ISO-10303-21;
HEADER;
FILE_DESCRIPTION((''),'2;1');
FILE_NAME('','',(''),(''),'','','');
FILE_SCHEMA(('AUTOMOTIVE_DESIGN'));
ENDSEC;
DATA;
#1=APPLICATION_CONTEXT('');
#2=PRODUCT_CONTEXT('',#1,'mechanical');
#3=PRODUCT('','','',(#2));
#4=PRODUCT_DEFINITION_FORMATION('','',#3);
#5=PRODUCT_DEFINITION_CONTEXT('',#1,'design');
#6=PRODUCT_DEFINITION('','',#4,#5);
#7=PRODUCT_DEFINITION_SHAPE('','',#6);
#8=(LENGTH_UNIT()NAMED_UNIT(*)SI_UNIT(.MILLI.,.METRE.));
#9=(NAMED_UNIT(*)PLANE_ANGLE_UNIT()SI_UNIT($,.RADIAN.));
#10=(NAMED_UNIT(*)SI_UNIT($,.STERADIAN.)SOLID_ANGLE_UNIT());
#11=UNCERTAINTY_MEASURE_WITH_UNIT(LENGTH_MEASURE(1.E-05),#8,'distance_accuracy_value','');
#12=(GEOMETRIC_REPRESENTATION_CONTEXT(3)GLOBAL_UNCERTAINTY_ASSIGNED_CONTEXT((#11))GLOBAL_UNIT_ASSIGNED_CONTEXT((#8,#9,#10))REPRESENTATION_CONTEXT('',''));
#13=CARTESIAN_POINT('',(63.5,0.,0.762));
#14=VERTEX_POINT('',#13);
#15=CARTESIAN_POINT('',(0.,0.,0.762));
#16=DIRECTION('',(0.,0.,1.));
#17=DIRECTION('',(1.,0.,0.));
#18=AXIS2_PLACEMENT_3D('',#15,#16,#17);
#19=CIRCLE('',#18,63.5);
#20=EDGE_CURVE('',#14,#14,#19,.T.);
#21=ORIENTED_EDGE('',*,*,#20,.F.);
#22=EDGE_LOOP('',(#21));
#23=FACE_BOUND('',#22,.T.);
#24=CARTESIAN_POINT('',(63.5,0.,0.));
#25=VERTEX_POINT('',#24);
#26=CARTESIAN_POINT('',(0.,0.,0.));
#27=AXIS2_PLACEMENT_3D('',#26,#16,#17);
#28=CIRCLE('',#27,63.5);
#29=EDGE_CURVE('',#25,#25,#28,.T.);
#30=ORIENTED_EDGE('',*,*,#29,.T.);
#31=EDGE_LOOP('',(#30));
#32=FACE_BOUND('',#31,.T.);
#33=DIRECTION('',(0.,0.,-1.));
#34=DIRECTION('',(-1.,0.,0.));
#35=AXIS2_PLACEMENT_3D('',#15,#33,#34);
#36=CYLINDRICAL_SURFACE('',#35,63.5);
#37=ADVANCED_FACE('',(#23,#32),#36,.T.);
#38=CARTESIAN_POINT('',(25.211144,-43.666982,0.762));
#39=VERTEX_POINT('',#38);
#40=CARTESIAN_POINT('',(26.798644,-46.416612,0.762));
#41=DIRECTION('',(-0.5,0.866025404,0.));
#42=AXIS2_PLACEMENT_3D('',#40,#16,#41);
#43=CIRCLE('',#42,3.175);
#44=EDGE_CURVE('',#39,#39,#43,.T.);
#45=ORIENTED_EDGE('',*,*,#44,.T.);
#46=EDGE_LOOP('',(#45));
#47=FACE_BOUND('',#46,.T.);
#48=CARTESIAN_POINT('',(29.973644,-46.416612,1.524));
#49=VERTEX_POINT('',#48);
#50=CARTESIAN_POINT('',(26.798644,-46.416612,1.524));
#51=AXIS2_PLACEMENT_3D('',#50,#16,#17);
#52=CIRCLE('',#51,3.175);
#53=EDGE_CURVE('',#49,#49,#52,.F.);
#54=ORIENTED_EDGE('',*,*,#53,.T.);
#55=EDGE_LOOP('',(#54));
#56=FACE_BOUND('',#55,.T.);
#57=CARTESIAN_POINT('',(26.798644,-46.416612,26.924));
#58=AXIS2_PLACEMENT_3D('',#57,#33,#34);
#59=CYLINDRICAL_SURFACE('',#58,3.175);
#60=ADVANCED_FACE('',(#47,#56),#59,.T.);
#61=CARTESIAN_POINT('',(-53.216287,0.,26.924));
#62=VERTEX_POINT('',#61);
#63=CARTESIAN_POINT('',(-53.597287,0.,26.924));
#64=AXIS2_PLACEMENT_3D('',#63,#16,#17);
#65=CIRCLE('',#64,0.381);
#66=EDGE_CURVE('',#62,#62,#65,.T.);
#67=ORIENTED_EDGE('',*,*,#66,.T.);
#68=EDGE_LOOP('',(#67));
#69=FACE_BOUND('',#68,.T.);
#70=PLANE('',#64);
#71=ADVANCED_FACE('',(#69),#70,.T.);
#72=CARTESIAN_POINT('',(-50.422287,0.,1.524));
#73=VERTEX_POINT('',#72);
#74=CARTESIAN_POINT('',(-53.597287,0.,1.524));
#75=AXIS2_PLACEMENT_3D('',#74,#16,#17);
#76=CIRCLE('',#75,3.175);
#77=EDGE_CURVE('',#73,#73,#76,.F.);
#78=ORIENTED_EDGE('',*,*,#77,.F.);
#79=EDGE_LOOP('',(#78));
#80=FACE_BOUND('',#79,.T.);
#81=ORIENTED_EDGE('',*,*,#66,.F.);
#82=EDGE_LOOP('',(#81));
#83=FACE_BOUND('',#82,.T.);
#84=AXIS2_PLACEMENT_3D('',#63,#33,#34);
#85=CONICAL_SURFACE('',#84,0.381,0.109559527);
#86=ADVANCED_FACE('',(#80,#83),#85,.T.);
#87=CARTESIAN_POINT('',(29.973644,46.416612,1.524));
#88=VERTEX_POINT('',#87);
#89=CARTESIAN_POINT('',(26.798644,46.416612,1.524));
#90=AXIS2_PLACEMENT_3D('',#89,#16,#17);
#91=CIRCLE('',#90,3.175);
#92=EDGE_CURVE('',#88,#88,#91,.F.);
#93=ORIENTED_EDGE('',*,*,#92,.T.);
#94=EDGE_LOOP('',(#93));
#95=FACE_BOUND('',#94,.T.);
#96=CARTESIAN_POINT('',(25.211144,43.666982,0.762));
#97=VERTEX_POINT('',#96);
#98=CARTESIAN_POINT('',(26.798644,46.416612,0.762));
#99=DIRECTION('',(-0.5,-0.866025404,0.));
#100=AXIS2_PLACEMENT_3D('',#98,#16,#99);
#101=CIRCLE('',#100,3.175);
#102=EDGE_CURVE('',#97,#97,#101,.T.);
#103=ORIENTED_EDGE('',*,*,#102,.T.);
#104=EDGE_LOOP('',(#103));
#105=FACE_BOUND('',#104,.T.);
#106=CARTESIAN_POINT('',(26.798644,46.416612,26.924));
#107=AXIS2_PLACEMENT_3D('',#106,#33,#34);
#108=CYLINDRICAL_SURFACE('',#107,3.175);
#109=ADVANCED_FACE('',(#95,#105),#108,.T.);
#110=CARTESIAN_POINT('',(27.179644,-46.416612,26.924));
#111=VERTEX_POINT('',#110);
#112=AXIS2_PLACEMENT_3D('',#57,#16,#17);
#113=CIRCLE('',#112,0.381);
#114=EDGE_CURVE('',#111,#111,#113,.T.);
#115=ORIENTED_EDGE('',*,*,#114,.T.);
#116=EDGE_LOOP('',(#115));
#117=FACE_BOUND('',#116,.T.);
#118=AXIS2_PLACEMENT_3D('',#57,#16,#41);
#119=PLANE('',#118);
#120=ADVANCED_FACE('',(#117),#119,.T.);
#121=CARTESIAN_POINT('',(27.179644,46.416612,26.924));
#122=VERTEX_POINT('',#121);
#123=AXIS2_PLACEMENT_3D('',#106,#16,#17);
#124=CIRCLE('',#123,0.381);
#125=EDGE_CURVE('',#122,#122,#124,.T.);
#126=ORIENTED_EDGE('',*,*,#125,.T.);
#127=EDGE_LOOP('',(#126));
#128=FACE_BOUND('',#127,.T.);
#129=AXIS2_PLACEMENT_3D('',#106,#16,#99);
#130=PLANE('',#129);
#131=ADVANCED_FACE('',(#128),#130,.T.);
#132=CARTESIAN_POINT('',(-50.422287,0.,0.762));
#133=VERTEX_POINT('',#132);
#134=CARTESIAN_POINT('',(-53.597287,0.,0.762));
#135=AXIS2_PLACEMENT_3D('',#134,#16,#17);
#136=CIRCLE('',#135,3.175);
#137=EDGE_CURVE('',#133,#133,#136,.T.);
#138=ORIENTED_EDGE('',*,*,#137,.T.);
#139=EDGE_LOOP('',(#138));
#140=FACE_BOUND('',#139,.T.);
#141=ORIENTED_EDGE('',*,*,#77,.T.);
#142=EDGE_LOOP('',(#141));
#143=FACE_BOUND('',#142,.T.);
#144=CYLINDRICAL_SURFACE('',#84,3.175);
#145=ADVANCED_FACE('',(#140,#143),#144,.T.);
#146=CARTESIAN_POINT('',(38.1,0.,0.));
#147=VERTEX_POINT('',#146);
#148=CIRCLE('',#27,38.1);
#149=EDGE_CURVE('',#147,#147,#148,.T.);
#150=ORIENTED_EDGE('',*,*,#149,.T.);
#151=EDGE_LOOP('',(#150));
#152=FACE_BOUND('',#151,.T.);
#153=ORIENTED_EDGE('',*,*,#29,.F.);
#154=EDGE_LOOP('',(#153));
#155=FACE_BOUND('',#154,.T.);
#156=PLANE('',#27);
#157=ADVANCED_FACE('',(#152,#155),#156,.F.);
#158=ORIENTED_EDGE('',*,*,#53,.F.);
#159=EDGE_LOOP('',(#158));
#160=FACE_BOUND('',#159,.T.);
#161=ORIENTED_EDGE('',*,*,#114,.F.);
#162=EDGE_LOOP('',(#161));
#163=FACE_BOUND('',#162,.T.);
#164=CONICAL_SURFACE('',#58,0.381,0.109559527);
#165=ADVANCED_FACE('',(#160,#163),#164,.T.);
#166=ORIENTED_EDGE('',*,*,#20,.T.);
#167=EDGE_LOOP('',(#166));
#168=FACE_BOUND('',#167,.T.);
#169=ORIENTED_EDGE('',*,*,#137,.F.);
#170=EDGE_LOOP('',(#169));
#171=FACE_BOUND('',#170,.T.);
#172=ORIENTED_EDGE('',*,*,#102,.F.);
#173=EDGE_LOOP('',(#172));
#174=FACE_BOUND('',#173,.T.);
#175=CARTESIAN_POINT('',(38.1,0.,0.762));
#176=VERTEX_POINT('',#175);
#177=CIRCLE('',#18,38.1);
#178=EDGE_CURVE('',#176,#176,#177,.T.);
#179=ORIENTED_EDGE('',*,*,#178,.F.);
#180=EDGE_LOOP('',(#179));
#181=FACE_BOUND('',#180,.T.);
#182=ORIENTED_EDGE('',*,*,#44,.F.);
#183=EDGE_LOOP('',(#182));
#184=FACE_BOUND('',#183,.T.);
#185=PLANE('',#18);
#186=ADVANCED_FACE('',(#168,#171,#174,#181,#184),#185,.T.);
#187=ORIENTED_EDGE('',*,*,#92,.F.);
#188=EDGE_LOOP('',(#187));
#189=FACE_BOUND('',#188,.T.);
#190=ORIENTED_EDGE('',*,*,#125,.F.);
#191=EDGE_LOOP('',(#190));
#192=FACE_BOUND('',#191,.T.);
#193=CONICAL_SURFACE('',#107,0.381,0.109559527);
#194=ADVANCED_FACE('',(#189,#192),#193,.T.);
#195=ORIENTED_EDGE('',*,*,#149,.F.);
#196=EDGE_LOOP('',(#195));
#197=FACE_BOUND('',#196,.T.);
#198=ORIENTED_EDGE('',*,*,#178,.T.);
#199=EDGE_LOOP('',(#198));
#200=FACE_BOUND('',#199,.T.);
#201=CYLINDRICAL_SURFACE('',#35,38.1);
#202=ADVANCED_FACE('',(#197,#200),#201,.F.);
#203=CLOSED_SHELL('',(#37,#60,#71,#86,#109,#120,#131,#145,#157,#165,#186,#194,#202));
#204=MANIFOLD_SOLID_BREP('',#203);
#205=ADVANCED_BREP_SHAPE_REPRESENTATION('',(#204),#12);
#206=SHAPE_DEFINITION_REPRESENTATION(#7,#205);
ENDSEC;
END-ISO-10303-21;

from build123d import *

# Parameters (mm, degrees)
SKETCH1_R                     = 63.5
SKETCH1_R_2                   = 38.1
BOSS_EXTRUDE1_DEPTH           = 0.762
SKETCH2_R                     = 3.175
BOSS_EXTRUDE2_DEPTH           = 26.162
CHAMFER1_SIZE                 = 25.4
CHAMFER1_SIZE2                = 2.794
CIRPATTERN3_COUNT             = 3
CHAMFER1_OF_CIRPATTERN3_SIZE2 = 2.794
CHAMFER1_OF_CIRPATTERN3_SIZE  = 25.4


with BuildPart() as part:
    # Sketch1 → Boss-Extrude1 (new body)
    with BuildSketch(Plane.XY):
        Circle(SKETCH1_R)
        Circle(SKETCH1_R_2, mode=Mode.SUBTRACT)
    extrude(amount=BOSS_EXTRUDE1_DEPTH)

    # Sketch2 → Boss-Extrude2 (add)
    with BuildSketch(Plane.XY.offset(0.762)):
        with Locations((-53.597287335, 0)):
            Circle(SKETCH2_R)
    boss_extrude2 = extrude(amount=BOSS_EXTRUDE2_DEPTH)

    # Chamfer1
    chamfer1_edges = [part.edges().sort_by_distance(p)[0] for p in [
        (-56.772287335, 0, 26.924),
    ]]
    chamfer1_side = [part.faces().sort_by_distance(p)[0] for p in [
        (-56.772287335, 0, 13.843),
    ]]
    chamfer(chamfer1_edges, length=CHAMFER1_SIZE, length2=CHAMFER1_SIZE2, reference=chamfer1_side[0])

    # CirPattern3: Boss-Extrude2 ×3 about axis
    cirpattern3_axis = Axis((0, 0, 0), (0, 0, 1))
    for i in range(1, CIRPATTERN3_COUNT):
        add(boss_extrude2.rotate(cirpattern3_axis, i * 360 / CIRPATTERN3_COUNT))

    # Chamfer1 of CirPattern3
    chamfer1_of_cirpattern3_edges = [part.edges().sort_by_distance(p)[0] for p in [
        (28.386143667, -49.166243063, 26.924),
        (28.386143667, 49.166243063, 26.924),
    ]]
    chamfer(chamfer1_of_cirpattern3_edges, length=CHAMFER1_OF_CIRPATTERN3_SIZE, length2=CHAMFER1_OF_CIRPATTERN3_SIZE2)


solid = part.part
